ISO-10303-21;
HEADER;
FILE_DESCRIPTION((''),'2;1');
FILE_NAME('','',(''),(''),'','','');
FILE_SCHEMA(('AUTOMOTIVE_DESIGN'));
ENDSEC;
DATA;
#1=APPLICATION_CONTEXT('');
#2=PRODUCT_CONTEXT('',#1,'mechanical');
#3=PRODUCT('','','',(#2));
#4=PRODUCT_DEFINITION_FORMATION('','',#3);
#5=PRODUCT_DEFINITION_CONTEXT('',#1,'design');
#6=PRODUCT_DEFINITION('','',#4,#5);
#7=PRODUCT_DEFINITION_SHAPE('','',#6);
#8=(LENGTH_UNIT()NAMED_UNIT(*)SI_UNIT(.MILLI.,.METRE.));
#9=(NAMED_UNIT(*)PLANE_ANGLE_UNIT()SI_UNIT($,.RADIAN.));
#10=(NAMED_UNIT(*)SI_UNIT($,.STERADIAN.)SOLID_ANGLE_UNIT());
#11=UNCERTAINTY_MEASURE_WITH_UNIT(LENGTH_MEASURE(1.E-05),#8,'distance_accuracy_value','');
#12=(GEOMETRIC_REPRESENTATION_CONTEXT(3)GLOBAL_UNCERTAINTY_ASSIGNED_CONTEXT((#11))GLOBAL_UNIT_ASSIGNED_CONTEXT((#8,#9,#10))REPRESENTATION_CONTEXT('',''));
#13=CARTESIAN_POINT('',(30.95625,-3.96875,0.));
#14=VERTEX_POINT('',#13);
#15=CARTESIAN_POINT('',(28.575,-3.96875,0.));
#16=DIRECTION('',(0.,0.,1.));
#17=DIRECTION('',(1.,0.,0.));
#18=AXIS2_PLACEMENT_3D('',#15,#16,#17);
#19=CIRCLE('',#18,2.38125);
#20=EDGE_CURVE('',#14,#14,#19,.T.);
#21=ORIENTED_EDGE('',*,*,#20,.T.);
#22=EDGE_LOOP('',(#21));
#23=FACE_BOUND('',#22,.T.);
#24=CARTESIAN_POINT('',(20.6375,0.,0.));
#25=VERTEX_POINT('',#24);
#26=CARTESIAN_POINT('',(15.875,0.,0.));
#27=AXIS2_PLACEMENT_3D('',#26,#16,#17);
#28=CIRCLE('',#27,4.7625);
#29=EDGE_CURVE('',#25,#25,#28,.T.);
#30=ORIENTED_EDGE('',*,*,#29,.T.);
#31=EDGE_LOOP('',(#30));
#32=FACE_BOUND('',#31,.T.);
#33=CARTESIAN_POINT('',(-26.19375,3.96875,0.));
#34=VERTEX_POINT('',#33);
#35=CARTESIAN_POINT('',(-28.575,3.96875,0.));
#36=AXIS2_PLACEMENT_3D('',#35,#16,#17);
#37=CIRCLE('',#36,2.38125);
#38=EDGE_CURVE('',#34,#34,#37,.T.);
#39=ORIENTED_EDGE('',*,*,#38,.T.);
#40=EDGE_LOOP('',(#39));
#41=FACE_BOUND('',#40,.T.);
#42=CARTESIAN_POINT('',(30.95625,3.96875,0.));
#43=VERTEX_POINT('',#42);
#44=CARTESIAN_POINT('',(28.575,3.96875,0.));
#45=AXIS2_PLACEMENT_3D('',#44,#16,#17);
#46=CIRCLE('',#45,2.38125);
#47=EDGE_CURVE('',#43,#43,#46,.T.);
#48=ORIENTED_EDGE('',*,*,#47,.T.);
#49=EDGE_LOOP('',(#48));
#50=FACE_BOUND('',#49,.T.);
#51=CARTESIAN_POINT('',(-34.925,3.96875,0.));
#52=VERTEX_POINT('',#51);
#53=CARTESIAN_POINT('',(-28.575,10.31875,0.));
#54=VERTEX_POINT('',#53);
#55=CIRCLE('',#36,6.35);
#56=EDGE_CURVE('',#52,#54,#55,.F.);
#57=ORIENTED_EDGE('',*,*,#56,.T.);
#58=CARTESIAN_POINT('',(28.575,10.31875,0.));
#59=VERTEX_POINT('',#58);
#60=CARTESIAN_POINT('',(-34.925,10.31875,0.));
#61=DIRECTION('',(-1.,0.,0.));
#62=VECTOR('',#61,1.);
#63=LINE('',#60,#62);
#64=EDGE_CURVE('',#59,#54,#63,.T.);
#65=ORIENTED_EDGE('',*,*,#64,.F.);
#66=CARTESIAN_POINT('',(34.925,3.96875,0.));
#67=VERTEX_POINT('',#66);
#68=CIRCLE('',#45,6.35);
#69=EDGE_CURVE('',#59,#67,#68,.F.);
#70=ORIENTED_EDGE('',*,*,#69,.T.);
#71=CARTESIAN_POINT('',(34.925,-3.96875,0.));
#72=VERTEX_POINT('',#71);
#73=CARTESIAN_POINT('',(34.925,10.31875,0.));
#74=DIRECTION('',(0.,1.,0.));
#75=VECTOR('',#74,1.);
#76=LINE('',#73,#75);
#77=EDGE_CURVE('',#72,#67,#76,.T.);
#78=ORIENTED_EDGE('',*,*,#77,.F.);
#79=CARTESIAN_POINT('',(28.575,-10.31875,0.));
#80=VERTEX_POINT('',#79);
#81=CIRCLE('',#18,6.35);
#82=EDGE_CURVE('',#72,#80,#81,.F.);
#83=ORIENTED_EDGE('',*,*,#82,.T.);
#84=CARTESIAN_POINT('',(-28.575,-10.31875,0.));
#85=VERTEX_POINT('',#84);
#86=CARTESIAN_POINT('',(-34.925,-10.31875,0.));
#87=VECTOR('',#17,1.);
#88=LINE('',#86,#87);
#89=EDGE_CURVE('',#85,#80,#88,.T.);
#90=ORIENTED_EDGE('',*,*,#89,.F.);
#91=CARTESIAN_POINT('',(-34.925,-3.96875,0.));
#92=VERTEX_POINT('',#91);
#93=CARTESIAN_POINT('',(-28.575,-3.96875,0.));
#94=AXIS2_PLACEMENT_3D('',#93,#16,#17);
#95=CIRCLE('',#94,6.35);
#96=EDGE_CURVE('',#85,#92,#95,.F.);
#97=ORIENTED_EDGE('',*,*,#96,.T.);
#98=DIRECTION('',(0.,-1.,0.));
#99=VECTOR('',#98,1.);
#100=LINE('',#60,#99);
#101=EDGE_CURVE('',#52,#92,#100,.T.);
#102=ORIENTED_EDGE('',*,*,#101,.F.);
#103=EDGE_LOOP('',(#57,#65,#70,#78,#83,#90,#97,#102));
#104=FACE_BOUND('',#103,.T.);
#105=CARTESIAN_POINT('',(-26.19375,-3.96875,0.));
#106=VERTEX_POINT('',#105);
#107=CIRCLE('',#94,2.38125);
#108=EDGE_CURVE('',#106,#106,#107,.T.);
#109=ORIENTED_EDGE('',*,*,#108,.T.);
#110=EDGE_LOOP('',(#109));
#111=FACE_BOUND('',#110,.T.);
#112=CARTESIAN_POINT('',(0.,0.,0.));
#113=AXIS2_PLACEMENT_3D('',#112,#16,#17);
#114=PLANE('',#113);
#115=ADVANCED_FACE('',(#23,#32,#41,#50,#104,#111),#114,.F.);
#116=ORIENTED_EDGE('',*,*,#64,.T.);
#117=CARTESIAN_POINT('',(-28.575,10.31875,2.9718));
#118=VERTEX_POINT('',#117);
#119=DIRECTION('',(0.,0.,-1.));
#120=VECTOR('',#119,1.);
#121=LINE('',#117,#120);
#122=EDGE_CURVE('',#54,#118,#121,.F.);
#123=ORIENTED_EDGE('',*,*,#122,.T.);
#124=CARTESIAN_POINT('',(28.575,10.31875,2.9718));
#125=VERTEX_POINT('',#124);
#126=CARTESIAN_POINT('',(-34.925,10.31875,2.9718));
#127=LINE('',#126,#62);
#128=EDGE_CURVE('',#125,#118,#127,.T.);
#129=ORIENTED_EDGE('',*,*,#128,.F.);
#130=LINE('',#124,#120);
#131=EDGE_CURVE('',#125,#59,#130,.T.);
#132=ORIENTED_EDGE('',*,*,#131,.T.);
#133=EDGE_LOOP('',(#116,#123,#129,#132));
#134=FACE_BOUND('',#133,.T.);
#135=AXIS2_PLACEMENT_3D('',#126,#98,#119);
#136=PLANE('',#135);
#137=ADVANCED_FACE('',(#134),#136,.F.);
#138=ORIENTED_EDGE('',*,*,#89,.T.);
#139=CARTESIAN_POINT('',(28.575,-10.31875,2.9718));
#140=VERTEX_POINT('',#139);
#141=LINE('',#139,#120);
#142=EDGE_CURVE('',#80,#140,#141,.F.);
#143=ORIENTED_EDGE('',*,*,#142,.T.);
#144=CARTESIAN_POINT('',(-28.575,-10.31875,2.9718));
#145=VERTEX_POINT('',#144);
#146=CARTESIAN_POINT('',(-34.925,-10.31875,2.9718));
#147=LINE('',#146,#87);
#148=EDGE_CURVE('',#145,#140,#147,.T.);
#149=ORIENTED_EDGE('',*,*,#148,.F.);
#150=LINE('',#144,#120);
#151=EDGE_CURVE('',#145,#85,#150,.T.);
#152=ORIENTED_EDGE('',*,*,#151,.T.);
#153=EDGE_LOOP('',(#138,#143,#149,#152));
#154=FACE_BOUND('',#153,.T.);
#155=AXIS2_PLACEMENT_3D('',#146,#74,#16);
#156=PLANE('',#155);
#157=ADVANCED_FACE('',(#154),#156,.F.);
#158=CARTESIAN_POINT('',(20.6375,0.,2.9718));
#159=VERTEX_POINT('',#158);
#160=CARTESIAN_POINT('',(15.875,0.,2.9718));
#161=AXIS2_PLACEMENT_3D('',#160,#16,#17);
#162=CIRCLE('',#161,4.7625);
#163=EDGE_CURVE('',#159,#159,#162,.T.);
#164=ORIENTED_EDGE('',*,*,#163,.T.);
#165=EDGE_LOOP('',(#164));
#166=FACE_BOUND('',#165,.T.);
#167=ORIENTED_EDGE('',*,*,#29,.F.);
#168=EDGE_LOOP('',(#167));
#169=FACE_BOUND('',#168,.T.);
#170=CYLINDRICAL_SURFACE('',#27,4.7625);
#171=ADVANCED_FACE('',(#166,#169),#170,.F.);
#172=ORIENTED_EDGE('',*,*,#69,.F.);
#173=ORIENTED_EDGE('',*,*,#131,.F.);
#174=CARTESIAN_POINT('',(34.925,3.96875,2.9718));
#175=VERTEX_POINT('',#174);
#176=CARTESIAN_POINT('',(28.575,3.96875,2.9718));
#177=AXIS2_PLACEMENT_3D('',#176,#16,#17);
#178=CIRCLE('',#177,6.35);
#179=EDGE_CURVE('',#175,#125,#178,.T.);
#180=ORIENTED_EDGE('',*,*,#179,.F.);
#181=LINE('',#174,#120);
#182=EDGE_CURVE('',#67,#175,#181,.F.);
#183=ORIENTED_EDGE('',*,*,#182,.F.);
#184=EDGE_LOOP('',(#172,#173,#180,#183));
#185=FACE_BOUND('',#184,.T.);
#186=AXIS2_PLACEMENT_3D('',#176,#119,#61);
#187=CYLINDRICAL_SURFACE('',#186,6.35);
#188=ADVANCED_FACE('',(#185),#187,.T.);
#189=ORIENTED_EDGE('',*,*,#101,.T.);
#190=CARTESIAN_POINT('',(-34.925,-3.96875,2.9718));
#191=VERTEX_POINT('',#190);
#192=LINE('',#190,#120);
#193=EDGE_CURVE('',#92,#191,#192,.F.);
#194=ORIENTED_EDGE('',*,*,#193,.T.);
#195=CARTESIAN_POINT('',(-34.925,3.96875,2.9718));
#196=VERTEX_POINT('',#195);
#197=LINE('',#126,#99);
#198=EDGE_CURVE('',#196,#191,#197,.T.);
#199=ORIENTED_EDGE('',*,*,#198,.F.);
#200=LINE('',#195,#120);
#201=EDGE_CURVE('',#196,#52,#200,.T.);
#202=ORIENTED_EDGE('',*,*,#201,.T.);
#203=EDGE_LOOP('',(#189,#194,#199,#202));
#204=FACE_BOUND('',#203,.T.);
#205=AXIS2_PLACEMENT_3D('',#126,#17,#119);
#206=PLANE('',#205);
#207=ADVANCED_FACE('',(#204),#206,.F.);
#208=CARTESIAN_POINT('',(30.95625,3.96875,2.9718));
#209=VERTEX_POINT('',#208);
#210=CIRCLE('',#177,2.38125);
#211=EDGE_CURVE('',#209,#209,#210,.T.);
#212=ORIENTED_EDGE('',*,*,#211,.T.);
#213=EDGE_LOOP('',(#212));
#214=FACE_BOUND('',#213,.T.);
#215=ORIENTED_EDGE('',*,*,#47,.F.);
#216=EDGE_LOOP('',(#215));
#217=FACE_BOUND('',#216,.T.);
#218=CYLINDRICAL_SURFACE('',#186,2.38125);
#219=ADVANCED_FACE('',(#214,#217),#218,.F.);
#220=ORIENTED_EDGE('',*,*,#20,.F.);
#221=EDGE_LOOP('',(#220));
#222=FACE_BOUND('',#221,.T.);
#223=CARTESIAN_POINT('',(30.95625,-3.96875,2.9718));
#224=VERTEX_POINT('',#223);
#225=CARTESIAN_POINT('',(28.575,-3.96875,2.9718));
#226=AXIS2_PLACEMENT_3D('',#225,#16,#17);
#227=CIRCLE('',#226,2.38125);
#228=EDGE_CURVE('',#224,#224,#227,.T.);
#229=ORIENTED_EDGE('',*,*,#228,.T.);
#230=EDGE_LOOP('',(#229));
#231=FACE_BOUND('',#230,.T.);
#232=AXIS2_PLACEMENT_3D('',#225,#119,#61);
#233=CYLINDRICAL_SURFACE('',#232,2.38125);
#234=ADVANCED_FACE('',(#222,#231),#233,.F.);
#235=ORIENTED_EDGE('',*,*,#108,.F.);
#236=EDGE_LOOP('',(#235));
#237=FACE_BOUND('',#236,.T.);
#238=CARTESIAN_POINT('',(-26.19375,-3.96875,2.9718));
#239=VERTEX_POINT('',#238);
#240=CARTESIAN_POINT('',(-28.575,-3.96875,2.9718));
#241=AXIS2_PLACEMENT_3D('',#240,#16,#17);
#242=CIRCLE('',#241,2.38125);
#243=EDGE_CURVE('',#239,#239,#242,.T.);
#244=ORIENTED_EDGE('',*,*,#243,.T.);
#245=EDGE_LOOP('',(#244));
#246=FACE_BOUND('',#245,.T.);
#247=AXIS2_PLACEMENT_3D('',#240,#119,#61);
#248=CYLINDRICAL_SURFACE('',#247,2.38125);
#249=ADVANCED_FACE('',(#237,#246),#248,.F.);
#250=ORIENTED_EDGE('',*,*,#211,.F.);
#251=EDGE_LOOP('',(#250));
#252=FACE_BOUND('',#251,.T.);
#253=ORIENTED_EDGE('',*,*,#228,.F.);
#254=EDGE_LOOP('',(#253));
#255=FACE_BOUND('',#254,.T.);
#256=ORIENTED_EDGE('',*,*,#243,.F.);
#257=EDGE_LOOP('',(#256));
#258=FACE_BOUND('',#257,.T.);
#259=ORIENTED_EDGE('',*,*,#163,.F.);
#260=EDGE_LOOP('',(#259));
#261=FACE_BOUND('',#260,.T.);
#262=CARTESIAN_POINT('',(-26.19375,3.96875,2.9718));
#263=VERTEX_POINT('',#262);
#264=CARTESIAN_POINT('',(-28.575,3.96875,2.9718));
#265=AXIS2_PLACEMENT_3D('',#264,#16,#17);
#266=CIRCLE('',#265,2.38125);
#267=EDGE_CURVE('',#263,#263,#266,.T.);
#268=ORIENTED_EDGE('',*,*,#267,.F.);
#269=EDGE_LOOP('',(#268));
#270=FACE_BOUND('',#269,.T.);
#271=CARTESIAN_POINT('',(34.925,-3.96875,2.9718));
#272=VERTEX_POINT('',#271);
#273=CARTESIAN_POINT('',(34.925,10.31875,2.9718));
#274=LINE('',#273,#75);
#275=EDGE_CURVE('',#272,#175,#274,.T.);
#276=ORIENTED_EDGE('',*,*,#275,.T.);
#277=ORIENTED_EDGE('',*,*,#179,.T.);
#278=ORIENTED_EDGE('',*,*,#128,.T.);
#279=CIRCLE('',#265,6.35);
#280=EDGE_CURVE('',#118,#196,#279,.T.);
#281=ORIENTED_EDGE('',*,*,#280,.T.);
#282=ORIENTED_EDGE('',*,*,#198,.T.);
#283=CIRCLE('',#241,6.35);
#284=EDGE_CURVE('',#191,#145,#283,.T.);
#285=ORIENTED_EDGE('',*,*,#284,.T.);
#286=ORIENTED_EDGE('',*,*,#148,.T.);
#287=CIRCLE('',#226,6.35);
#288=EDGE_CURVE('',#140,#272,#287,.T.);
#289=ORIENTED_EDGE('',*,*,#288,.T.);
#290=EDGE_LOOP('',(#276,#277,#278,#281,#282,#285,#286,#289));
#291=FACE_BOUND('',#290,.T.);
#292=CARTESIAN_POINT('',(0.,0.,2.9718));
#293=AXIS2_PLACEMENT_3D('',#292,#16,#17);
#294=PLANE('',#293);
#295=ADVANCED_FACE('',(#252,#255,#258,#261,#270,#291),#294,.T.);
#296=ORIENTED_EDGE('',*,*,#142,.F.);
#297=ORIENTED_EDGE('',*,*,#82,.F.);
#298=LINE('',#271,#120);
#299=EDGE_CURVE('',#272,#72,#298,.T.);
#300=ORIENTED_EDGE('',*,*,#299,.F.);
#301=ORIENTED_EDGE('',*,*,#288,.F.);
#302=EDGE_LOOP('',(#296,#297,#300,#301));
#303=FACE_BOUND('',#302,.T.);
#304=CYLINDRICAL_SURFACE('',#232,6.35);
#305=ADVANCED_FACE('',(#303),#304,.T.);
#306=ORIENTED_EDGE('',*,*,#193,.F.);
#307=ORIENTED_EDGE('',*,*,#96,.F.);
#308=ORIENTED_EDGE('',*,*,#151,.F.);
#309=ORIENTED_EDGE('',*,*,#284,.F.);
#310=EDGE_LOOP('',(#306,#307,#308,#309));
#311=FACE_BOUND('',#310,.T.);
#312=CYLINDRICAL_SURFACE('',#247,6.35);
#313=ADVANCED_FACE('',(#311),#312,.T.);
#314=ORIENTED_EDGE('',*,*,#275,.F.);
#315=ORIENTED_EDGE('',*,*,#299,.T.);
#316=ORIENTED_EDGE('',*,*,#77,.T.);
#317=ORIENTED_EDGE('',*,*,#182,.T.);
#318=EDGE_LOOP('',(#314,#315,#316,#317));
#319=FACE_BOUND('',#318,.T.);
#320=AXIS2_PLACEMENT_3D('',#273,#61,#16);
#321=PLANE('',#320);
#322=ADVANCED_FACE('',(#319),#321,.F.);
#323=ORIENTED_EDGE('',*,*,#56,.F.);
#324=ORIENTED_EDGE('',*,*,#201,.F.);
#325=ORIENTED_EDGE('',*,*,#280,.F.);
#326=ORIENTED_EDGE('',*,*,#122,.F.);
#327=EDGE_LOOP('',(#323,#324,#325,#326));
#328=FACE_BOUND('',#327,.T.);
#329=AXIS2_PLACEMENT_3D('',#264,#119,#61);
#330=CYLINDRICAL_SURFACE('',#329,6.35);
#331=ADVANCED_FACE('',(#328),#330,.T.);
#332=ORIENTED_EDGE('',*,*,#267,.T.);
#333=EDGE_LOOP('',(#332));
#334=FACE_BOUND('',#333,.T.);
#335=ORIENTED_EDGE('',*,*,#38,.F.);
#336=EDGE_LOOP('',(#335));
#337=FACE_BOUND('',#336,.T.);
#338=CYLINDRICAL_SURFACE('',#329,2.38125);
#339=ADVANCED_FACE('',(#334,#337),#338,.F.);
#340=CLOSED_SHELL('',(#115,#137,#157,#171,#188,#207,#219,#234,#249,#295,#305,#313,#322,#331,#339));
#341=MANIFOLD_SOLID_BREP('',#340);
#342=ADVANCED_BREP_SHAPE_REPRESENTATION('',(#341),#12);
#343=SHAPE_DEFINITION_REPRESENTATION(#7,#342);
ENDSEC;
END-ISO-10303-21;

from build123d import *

# Parameters (mm, degrees)
SKETCH1_W           = 69.85
SKETCH1_H           = 20.6375
SKETCH1_R           = 2.38125
BOSS_EXTRUDE1_DEPTH = 2.9718
FILLET1_R           = 6.35
SKETCH2_R           = 4.7625
CUT_EXTRUDE1_DEPTH  = 3.9718


with BuildPart() as part:
    # Sketch1 → Boss-Extrude1 (new body)
    with BuildSketch(Plane.XY):
        Rectangle(SKETCH1_W, SKETCH1_H)
        with Locations((-28.575, 3.96875)):
            Circle(SKETCH1_R, mode=Mode.SUBTRACT)
        with Locations((-28.575, -3.96875)):
            Circle(SKETCH1_R, mode=Mode.SUBTRACT)
        with Locations((28.575, 3.96875)):
            Circle(SKETCH1_R, mode=Mode.SUBTRACT)
        with Locations((28.575, -3.96875)):
            Circle(SKETCH1_R, mode=Mode.SUBTRACT)
    extrude(amount=BOSS_EXTRUDE1_DEPTH)

    # Fillet1
    fillet1_edges = [part.edges().sort_by_distance(p)[0] for p in [
        (-34.925, 10.31875, 1.4859),
        (34.925, 10.31875, 1.4859),
        (34.925, -10.31875, 1.4859),
        (-34.925, -10.31875, 1.4859),
    ]]
    fillet(fillet1_edges, radius=FILLET1_R)

    # Sketch2 → Cut-Extrude1 (cut, through all)
    with BuildSketch(Plane.XY.offset(2.9718)):
        with Locations((15.875, 0)):
            Circle(SKETCH2_R)
    extrude(amount=-CUT_EXTRUDE1_DEPTH, mode=Mode.SUBTRACT)


solid = part.part
